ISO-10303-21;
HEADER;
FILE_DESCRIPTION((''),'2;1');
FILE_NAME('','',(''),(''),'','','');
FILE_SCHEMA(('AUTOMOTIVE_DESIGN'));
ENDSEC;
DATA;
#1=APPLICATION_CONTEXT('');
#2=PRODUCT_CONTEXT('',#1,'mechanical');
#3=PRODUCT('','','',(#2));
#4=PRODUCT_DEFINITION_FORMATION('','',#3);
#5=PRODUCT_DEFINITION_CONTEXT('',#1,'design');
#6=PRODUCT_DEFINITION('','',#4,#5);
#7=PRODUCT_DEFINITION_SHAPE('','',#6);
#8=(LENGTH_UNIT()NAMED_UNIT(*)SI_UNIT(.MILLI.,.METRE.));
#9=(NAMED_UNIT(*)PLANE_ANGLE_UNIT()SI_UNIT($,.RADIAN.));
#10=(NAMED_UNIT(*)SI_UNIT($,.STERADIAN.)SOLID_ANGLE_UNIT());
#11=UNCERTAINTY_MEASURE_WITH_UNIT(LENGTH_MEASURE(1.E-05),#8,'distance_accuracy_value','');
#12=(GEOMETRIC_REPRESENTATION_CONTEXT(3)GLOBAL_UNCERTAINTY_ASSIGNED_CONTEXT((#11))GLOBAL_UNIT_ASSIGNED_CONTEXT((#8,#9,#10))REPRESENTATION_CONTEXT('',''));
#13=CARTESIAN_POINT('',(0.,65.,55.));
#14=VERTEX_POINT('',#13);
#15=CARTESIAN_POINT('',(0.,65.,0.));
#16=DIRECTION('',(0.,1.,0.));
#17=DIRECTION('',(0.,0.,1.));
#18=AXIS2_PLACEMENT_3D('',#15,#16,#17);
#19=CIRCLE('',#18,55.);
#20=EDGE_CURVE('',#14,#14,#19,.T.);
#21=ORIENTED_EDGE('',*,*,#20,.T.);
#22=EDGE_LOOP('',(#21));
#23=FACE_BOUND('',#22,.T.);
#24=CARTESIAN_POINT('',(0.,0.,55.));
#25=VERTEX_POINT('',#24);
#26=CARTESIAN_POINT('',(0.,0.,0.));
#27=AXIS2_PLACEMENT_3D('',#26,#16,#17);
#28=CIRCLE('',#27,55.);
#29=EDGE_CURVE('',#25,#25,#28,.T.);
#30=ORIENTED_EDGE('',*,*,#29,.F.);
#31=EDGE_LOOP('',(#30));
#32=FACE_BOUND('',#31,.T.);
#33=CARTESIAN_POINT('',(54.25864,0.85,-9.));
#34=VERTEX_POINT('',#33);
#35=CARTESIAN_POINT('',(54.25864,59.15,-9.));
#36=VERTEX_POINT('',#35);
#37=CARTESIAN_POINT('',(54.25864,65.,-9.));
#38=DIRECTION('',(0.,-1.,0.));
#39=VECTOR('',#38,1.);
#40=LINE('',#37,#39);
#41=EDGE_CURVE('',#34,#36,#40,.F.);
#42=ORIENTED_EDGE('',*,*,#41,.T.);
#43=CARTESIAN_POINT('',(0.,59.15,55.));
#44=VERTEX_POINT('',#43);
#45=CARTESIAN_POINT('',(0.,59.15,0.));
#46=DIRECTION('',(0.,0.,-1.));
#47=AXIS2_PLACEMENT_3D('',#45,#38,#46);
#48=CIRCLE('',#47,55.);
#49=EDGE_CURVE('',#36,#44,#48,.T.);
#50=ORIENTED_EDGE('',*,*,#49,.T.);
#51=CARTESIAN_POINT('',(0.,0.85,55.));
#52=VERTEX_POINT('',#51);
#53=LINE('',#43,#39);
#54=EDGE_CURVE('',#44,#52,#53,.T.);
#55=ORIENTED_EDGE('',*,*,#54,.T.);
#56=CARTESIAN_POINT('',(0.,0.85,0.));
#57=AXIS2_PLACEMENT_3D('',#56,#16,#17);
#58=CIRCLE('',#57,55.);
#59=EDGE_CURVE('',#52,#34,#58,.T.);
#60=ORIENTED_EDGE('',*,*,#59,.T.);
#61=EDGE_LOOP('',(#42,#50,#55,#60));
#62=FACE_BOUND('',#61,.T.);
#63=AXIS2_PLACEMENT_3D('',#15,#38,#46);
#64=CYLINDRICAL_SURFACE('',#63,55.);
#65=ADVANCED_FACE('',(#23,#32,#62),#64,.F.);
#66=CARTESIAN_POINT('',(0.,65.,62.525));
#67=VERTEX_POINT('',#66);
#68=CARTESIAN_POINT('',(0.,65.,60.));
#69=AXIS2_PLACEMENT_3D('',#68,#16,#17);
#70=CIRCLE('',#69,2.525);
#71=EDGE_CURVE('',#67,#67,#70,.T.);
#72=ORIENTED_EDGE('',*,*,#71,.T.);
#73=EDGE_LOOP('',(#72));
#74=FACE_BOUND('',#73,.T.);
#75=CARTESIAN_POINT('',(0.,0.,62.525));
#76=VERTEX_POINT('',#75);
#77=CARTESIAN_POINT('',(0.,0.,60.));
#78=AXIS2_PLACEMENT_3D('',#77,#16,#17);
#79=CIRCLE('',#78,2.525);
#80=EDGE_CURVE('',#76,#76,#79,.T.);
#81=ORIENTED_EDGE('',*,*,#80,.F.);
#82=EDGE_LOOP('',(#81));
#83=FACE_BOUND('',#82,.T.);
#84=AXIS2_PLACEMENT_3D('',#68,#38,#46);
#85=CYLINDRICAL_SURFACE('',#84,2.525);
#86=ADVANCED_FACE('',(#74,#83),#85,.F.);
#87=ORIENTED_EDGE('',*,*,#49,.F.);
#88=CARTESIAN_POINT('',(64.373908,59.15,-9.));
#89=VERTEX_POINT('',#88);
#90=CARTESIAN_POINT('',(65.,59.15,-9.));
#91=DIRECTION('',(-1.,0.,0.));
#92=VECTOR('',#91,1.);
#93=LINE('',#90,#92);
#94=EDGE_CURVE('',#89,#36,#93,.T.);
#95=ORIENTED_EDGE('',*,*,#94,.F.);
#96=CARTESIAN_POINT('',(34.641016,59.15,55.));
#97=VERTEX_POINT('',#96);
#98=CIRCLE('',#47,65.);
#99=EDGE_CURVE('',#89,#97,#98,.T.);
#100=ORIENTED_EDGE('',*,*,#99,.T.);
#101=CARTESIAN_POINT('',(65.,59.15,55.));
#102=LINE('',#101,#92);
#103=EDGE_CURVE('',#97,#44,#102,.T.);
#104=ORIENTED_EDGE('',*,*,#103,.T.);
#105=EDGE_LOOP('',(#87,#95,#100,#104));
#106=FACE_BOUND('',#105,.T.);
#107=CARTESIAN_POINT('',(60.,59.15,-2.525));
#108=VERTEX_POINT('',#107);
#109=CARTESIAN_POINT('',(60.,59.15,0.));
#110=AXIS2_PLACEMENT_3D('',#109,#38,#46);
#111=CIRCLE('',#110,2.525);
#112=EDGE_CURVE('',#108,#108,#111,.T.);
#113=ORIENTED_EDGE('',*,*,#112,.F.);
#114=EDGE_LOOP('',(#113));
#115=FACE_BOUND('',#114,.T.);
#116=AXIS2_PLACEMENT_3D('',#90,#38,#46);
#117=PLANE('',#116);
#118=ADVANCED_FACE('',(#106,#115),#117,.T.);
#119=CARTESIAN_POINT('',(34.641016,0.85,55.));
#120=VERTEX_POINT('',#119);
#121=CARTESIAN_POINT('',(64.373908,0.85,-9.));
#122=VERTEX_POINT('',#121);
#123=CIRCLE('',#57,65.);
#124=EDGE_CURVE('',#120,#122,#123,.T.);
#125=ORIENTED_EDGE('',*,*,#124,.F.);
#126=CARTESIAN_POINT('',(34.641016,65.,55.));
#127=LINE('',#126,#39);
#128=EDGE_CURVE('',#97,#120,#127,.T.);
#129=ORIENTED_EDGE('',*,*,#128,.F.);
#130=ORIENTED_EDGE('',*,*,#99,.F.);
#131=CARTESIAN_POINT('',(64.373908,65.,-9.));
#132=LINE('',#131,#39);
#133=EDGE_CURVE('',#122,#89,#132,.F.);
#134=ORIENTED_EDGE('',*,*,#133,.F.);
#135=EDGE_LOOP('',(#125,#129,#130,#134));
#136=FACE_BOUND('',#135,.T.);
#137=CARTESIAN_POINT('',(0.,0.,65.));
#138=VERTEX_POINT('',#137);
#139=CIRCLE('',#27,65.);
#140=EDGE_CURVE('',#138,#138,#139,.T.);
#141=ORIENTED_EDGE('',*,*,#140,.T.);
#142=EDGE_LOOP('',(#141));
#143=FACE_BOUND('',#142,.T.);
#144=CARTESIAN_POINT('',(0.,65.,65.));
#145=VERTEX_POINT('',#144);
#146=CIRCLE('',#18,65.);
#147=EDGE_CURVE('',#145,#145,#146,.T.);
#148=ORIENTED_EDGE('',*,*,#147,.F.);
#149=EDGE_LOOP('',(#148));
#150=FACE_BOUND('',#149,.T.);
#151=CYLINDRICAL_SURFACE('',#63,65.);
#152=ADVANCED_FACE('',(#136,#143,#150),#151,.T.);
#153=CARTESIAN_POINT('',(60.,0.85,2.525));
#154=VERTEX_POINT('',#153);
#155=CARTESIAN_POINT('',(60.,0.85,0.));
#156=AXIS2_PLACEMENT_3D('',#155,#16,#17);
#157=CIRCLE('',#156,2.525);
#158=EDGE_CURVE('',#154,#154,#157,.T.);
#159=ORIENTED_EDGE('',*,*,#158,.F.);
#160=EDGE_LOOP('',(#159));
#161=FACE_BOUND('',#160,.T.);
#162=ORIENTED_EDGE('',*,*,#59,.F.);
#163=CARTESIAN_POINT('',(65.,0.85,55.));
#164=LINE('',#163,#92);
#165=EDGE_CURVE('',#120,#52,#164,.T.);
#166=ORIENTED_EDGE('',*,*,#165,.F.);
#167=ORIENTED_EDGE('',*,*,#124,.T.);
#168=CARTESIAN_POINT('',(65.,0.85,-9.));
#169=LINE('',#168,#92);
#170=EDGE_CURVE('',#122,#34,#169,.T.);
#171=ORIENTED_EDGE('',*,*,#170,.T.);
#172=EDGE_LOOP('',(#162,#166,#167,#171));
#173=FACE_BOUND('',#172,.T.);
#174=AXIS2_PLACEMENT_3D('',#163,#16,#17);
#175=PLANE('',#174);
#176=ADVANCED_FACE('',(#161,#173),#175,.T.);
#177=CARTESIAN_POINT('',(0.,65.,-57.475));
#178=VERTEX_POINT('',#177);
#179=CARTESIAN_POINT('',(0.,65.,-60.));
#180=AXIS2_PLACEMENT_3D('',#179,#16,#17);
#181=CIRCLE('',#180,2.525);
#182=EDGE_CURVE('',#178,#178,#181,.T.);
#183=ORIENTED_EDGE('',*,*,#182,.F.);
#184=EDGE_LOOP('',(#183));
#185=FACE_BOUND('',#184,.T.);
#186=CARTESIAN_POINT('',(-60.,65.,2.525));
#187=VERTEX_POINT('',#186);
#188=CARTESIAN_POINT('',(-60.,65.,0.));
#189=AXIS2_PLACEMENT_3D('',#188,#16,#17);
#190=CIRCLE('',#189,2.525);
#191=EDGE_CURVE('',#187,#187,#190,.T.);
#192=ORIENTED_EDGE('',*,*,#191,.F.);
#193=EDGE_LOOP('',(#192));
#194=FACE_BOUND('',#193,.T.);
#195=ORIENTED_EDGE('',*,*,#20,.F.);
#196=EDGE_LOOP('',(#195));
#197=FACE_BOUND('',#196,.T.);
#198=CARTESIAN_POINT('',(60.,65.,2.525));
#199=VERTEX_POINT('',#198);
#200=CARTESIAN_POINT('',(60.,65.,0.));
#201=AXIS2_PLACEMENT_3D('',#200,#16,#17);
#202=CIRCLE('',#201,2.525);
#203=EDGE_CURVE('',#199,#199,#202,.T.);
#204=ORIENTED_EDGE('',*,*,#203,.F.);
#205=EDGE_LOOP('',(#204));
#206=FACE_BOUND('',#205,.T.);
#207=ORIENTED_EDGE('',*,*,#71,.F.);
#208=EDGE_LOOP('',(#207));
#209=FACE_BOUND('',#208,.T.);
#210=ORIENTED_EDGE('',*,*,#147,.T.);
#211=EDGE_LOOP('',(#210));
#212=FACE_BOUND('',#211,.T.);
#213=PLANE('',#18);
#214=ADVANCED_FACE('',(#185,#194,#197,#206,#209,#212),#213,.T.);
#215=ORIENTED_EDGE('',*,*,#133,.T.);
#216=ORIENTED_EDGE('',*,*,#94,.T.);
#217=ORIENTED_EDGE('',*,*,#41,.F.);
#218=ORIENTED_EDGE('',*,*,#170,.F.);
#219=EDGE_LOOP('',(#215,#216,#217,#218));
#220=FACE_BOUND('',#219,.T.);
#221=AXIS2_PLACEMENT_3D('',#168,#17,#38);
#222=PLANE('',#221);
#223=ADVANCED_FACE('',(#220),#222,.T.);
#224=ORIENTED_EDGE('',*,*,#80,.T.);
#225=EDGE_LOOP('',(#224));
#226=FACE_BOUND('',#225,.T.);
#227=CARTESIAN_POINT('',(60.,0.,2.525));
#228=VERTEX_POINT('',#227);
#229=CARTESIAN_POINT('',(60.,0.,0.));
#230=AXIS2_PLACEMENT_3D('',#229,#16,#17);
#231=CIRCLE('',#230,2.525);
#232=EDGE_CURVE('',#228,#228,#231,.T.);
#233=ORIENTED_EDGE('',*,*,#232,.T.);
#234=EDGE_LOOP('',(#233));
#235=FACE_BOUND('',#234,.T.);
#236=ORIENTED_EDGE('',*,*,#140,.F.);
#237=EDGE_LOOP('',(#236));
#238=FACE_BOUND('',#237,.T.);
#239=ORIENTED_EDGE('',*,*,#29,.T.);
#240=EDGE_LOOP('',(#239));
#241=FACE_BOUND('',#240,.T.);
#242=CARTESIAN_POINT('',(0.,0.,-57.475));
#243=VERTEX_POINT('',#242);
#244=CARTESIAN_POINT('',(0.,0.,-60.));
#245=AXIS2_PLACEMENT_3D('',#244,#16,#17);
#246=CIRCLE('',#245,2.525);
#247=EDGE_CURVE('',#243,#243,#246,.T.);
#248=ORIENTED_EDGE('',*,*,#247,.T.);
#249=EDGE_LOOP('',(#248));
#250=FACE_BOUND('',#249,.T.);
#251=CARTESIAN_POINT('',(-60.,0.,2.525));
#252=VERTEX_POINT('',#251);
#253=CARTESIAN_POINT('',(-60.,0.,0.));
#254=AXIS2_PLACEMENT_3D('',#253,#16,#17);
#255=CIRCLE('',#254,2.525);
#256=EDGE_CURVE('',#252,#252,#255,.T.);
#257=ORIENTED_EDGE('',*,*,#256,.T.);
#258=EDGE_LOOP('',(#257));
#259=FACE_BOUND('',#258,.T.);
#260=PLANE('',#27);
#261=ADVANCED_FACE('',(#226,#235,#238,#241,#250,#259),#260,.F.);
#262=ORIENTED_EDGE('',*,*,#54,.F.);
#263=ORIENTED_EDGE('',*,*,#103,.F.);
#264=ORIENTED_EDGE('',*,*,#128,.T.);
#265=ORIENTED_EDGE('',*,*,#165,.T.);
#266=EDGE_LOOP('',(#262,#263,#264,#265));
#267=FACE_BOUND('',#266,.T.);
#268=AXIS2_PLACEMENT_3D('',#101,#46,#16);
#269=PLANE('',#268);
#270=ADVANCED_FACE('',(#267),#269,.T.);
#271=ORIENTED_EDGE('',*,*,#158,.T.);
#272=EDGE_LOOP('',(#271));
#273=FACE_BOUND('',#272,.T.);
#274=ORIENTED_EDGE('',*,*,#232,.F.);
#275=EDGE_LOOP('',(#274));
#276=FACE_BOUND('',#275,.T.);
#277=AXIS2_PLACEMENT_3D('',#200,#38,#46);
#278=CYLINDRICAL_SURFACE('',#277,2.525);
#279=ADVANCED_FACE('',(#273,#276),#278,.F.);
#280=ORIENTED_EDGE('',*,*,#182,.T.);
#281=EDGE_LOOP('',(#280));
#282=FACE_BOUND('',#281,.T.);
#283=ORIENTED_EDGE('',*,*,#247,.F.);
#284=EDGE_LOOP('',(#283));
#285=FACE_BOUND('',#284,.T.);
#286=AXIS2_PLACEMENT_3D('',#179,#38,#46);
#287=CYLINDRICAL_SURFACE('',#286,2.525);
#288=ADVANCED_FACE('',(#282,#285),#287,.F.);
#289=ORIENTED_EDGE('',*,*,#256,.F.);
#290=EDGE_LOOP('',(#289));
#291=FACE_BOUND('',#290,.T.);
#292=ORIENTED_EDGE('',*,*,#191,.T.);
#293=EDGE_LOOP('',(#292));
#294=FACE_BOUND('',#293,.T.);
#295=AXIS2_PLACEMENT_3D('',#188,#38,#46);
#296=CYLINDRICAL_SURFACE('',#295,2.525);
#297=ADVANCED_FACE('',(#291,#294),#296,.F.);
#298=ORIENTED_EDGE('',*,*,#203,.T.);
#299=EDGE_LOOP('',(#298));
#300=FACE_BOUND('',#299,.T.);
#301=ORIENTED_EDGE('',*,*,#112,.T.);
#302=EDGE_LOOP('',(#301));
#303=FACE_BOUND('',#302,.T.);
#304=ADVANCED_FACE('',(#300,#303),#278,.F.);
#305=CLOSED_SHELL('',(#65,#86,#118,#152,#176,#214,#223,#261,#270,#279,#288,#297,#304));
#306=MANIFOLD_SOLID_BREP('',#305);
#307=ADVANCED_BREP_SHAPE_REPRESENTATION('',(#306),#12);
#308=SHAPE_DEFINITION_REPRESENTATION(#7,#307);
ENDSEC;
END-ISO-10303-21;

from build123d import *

# Parameters (mm, degrees)
SKETCH1_R           = 65
SKETCH1_R_2         = 2.525
SKETCH1_R_3         = 55
BOSS_EXTRUDE1_DEPTH = 65
SKETCH2_R           = 9.525
CUT_EXTRUDE1_DEPTH  = 113.583302492
SKETCH3_W           = 64
SKETCH3_H           = 58.3
CUT_EXTRUDE2_DEPTH  = 113.583302665


with BuildPart() as part:
    # Sketch1 → Boss-Extrude1 (new body)
    with BuildSketch(Plane(origin=(0, 0, 0), x_dir=(1, 0, 0), z_dir=(0, 1, 0))):
        with Locations(Location((0, 0, 0), (0, 0, 270))):
            Circle(SKETCH1_R)
        with Locations(Location((0, 60, 0), (0, 0, 270))):
            Circle(SKETCH1_R_2, mode=Mode.SUBTRACT)
        with Locations(Location((60, 0, 0), (0, 0, 270))):
            Circle(SKETCH1_R_2, mode=Mode.SUBTRACT)
        with Locations(Location((0, -60, 0), (0, 0, 270))):
            Circle(SKETCH1_R_2, mode=Mode.SUBTRACT)
        with Locations(Location((-60, 0, 0), (0, 0, 270))):
            Circle(SKETCH1_R_2, mode=Mode.SUBTRACT)
        with Locations(Location((0, 0, 0), (0, 0, 270))):
            Circle(SKETCH1_R_3, mode=Mode.SUBTRACT)
    extrude(amount=BOSS_EXTRUDE1_DEPTH)

    # Sketch2 → Cut-Extrude1 (cut, through all)
    with BuildSketch(Plane(origin=(0, 0, 0), x_dir=(0, 0, -1), z_dir=(1, 0, 0))):
        with Locations(Location((-24.25, 30, 0), (0, 0, 180))):
            Circle(SKETCH2_R)
    extrude(amount=CUT_EXTRUDE1_DEPTH, mode=Mode.SUBTRACT)

    # Sketch3 → Cut-Extrude2 (cut, through all)
    with BuildSketch(Plane(origin=(0, 0, 0), x_dir=(0, 0, -1), z_dir=(1, 0, 0))):
        with Locations((-23, 30)):
            Rectangle(SKETCH3_W, SKETCH3_H)
        with BuildLine():
            Line((-41.625, 43.85), (-41.625, 53.85))
            ThreePointArc((-41.625, 53.85), (-44.875, 57.1), (-48.125, 53.85))
            Line((-48.125, 53.85), (-48.125, 43.85))
            ThreePointArc((-48.125, 43.85), (-44.875, 40.6), (-41.625, 43.85))
        make_face(mode=Mode.SUBTRACT)
        with BuildLine():
            Line((2.125, 43.85), (2.125, 53.85))
            ThreePointArc((2.125, 53.85), (-1.125, 57.1), (-4.375, 53.85))
            Line((-4.375, 53.85), (-4.375, 43.85))
            ThreePointArc((-4.375, 43.85), (-1.125, 40.6), (2.125, 43.85))
        make_face(mode=Mode.SUBTRACT)
    extrude(amount=CUT_EXTRUDE2_DEPTH, mode=Mode.SUBTRACT)


with BuildPart() as cut_extrude2_kept_piece:
    # of the separate pieces the step leaves, the one the design keeps (cut_extrude2_pieces_kept)
    add(part.part.solids().sort_by_distance((0, 0, 65))[0])


solid = cut_extrude2_kept_piece.part
